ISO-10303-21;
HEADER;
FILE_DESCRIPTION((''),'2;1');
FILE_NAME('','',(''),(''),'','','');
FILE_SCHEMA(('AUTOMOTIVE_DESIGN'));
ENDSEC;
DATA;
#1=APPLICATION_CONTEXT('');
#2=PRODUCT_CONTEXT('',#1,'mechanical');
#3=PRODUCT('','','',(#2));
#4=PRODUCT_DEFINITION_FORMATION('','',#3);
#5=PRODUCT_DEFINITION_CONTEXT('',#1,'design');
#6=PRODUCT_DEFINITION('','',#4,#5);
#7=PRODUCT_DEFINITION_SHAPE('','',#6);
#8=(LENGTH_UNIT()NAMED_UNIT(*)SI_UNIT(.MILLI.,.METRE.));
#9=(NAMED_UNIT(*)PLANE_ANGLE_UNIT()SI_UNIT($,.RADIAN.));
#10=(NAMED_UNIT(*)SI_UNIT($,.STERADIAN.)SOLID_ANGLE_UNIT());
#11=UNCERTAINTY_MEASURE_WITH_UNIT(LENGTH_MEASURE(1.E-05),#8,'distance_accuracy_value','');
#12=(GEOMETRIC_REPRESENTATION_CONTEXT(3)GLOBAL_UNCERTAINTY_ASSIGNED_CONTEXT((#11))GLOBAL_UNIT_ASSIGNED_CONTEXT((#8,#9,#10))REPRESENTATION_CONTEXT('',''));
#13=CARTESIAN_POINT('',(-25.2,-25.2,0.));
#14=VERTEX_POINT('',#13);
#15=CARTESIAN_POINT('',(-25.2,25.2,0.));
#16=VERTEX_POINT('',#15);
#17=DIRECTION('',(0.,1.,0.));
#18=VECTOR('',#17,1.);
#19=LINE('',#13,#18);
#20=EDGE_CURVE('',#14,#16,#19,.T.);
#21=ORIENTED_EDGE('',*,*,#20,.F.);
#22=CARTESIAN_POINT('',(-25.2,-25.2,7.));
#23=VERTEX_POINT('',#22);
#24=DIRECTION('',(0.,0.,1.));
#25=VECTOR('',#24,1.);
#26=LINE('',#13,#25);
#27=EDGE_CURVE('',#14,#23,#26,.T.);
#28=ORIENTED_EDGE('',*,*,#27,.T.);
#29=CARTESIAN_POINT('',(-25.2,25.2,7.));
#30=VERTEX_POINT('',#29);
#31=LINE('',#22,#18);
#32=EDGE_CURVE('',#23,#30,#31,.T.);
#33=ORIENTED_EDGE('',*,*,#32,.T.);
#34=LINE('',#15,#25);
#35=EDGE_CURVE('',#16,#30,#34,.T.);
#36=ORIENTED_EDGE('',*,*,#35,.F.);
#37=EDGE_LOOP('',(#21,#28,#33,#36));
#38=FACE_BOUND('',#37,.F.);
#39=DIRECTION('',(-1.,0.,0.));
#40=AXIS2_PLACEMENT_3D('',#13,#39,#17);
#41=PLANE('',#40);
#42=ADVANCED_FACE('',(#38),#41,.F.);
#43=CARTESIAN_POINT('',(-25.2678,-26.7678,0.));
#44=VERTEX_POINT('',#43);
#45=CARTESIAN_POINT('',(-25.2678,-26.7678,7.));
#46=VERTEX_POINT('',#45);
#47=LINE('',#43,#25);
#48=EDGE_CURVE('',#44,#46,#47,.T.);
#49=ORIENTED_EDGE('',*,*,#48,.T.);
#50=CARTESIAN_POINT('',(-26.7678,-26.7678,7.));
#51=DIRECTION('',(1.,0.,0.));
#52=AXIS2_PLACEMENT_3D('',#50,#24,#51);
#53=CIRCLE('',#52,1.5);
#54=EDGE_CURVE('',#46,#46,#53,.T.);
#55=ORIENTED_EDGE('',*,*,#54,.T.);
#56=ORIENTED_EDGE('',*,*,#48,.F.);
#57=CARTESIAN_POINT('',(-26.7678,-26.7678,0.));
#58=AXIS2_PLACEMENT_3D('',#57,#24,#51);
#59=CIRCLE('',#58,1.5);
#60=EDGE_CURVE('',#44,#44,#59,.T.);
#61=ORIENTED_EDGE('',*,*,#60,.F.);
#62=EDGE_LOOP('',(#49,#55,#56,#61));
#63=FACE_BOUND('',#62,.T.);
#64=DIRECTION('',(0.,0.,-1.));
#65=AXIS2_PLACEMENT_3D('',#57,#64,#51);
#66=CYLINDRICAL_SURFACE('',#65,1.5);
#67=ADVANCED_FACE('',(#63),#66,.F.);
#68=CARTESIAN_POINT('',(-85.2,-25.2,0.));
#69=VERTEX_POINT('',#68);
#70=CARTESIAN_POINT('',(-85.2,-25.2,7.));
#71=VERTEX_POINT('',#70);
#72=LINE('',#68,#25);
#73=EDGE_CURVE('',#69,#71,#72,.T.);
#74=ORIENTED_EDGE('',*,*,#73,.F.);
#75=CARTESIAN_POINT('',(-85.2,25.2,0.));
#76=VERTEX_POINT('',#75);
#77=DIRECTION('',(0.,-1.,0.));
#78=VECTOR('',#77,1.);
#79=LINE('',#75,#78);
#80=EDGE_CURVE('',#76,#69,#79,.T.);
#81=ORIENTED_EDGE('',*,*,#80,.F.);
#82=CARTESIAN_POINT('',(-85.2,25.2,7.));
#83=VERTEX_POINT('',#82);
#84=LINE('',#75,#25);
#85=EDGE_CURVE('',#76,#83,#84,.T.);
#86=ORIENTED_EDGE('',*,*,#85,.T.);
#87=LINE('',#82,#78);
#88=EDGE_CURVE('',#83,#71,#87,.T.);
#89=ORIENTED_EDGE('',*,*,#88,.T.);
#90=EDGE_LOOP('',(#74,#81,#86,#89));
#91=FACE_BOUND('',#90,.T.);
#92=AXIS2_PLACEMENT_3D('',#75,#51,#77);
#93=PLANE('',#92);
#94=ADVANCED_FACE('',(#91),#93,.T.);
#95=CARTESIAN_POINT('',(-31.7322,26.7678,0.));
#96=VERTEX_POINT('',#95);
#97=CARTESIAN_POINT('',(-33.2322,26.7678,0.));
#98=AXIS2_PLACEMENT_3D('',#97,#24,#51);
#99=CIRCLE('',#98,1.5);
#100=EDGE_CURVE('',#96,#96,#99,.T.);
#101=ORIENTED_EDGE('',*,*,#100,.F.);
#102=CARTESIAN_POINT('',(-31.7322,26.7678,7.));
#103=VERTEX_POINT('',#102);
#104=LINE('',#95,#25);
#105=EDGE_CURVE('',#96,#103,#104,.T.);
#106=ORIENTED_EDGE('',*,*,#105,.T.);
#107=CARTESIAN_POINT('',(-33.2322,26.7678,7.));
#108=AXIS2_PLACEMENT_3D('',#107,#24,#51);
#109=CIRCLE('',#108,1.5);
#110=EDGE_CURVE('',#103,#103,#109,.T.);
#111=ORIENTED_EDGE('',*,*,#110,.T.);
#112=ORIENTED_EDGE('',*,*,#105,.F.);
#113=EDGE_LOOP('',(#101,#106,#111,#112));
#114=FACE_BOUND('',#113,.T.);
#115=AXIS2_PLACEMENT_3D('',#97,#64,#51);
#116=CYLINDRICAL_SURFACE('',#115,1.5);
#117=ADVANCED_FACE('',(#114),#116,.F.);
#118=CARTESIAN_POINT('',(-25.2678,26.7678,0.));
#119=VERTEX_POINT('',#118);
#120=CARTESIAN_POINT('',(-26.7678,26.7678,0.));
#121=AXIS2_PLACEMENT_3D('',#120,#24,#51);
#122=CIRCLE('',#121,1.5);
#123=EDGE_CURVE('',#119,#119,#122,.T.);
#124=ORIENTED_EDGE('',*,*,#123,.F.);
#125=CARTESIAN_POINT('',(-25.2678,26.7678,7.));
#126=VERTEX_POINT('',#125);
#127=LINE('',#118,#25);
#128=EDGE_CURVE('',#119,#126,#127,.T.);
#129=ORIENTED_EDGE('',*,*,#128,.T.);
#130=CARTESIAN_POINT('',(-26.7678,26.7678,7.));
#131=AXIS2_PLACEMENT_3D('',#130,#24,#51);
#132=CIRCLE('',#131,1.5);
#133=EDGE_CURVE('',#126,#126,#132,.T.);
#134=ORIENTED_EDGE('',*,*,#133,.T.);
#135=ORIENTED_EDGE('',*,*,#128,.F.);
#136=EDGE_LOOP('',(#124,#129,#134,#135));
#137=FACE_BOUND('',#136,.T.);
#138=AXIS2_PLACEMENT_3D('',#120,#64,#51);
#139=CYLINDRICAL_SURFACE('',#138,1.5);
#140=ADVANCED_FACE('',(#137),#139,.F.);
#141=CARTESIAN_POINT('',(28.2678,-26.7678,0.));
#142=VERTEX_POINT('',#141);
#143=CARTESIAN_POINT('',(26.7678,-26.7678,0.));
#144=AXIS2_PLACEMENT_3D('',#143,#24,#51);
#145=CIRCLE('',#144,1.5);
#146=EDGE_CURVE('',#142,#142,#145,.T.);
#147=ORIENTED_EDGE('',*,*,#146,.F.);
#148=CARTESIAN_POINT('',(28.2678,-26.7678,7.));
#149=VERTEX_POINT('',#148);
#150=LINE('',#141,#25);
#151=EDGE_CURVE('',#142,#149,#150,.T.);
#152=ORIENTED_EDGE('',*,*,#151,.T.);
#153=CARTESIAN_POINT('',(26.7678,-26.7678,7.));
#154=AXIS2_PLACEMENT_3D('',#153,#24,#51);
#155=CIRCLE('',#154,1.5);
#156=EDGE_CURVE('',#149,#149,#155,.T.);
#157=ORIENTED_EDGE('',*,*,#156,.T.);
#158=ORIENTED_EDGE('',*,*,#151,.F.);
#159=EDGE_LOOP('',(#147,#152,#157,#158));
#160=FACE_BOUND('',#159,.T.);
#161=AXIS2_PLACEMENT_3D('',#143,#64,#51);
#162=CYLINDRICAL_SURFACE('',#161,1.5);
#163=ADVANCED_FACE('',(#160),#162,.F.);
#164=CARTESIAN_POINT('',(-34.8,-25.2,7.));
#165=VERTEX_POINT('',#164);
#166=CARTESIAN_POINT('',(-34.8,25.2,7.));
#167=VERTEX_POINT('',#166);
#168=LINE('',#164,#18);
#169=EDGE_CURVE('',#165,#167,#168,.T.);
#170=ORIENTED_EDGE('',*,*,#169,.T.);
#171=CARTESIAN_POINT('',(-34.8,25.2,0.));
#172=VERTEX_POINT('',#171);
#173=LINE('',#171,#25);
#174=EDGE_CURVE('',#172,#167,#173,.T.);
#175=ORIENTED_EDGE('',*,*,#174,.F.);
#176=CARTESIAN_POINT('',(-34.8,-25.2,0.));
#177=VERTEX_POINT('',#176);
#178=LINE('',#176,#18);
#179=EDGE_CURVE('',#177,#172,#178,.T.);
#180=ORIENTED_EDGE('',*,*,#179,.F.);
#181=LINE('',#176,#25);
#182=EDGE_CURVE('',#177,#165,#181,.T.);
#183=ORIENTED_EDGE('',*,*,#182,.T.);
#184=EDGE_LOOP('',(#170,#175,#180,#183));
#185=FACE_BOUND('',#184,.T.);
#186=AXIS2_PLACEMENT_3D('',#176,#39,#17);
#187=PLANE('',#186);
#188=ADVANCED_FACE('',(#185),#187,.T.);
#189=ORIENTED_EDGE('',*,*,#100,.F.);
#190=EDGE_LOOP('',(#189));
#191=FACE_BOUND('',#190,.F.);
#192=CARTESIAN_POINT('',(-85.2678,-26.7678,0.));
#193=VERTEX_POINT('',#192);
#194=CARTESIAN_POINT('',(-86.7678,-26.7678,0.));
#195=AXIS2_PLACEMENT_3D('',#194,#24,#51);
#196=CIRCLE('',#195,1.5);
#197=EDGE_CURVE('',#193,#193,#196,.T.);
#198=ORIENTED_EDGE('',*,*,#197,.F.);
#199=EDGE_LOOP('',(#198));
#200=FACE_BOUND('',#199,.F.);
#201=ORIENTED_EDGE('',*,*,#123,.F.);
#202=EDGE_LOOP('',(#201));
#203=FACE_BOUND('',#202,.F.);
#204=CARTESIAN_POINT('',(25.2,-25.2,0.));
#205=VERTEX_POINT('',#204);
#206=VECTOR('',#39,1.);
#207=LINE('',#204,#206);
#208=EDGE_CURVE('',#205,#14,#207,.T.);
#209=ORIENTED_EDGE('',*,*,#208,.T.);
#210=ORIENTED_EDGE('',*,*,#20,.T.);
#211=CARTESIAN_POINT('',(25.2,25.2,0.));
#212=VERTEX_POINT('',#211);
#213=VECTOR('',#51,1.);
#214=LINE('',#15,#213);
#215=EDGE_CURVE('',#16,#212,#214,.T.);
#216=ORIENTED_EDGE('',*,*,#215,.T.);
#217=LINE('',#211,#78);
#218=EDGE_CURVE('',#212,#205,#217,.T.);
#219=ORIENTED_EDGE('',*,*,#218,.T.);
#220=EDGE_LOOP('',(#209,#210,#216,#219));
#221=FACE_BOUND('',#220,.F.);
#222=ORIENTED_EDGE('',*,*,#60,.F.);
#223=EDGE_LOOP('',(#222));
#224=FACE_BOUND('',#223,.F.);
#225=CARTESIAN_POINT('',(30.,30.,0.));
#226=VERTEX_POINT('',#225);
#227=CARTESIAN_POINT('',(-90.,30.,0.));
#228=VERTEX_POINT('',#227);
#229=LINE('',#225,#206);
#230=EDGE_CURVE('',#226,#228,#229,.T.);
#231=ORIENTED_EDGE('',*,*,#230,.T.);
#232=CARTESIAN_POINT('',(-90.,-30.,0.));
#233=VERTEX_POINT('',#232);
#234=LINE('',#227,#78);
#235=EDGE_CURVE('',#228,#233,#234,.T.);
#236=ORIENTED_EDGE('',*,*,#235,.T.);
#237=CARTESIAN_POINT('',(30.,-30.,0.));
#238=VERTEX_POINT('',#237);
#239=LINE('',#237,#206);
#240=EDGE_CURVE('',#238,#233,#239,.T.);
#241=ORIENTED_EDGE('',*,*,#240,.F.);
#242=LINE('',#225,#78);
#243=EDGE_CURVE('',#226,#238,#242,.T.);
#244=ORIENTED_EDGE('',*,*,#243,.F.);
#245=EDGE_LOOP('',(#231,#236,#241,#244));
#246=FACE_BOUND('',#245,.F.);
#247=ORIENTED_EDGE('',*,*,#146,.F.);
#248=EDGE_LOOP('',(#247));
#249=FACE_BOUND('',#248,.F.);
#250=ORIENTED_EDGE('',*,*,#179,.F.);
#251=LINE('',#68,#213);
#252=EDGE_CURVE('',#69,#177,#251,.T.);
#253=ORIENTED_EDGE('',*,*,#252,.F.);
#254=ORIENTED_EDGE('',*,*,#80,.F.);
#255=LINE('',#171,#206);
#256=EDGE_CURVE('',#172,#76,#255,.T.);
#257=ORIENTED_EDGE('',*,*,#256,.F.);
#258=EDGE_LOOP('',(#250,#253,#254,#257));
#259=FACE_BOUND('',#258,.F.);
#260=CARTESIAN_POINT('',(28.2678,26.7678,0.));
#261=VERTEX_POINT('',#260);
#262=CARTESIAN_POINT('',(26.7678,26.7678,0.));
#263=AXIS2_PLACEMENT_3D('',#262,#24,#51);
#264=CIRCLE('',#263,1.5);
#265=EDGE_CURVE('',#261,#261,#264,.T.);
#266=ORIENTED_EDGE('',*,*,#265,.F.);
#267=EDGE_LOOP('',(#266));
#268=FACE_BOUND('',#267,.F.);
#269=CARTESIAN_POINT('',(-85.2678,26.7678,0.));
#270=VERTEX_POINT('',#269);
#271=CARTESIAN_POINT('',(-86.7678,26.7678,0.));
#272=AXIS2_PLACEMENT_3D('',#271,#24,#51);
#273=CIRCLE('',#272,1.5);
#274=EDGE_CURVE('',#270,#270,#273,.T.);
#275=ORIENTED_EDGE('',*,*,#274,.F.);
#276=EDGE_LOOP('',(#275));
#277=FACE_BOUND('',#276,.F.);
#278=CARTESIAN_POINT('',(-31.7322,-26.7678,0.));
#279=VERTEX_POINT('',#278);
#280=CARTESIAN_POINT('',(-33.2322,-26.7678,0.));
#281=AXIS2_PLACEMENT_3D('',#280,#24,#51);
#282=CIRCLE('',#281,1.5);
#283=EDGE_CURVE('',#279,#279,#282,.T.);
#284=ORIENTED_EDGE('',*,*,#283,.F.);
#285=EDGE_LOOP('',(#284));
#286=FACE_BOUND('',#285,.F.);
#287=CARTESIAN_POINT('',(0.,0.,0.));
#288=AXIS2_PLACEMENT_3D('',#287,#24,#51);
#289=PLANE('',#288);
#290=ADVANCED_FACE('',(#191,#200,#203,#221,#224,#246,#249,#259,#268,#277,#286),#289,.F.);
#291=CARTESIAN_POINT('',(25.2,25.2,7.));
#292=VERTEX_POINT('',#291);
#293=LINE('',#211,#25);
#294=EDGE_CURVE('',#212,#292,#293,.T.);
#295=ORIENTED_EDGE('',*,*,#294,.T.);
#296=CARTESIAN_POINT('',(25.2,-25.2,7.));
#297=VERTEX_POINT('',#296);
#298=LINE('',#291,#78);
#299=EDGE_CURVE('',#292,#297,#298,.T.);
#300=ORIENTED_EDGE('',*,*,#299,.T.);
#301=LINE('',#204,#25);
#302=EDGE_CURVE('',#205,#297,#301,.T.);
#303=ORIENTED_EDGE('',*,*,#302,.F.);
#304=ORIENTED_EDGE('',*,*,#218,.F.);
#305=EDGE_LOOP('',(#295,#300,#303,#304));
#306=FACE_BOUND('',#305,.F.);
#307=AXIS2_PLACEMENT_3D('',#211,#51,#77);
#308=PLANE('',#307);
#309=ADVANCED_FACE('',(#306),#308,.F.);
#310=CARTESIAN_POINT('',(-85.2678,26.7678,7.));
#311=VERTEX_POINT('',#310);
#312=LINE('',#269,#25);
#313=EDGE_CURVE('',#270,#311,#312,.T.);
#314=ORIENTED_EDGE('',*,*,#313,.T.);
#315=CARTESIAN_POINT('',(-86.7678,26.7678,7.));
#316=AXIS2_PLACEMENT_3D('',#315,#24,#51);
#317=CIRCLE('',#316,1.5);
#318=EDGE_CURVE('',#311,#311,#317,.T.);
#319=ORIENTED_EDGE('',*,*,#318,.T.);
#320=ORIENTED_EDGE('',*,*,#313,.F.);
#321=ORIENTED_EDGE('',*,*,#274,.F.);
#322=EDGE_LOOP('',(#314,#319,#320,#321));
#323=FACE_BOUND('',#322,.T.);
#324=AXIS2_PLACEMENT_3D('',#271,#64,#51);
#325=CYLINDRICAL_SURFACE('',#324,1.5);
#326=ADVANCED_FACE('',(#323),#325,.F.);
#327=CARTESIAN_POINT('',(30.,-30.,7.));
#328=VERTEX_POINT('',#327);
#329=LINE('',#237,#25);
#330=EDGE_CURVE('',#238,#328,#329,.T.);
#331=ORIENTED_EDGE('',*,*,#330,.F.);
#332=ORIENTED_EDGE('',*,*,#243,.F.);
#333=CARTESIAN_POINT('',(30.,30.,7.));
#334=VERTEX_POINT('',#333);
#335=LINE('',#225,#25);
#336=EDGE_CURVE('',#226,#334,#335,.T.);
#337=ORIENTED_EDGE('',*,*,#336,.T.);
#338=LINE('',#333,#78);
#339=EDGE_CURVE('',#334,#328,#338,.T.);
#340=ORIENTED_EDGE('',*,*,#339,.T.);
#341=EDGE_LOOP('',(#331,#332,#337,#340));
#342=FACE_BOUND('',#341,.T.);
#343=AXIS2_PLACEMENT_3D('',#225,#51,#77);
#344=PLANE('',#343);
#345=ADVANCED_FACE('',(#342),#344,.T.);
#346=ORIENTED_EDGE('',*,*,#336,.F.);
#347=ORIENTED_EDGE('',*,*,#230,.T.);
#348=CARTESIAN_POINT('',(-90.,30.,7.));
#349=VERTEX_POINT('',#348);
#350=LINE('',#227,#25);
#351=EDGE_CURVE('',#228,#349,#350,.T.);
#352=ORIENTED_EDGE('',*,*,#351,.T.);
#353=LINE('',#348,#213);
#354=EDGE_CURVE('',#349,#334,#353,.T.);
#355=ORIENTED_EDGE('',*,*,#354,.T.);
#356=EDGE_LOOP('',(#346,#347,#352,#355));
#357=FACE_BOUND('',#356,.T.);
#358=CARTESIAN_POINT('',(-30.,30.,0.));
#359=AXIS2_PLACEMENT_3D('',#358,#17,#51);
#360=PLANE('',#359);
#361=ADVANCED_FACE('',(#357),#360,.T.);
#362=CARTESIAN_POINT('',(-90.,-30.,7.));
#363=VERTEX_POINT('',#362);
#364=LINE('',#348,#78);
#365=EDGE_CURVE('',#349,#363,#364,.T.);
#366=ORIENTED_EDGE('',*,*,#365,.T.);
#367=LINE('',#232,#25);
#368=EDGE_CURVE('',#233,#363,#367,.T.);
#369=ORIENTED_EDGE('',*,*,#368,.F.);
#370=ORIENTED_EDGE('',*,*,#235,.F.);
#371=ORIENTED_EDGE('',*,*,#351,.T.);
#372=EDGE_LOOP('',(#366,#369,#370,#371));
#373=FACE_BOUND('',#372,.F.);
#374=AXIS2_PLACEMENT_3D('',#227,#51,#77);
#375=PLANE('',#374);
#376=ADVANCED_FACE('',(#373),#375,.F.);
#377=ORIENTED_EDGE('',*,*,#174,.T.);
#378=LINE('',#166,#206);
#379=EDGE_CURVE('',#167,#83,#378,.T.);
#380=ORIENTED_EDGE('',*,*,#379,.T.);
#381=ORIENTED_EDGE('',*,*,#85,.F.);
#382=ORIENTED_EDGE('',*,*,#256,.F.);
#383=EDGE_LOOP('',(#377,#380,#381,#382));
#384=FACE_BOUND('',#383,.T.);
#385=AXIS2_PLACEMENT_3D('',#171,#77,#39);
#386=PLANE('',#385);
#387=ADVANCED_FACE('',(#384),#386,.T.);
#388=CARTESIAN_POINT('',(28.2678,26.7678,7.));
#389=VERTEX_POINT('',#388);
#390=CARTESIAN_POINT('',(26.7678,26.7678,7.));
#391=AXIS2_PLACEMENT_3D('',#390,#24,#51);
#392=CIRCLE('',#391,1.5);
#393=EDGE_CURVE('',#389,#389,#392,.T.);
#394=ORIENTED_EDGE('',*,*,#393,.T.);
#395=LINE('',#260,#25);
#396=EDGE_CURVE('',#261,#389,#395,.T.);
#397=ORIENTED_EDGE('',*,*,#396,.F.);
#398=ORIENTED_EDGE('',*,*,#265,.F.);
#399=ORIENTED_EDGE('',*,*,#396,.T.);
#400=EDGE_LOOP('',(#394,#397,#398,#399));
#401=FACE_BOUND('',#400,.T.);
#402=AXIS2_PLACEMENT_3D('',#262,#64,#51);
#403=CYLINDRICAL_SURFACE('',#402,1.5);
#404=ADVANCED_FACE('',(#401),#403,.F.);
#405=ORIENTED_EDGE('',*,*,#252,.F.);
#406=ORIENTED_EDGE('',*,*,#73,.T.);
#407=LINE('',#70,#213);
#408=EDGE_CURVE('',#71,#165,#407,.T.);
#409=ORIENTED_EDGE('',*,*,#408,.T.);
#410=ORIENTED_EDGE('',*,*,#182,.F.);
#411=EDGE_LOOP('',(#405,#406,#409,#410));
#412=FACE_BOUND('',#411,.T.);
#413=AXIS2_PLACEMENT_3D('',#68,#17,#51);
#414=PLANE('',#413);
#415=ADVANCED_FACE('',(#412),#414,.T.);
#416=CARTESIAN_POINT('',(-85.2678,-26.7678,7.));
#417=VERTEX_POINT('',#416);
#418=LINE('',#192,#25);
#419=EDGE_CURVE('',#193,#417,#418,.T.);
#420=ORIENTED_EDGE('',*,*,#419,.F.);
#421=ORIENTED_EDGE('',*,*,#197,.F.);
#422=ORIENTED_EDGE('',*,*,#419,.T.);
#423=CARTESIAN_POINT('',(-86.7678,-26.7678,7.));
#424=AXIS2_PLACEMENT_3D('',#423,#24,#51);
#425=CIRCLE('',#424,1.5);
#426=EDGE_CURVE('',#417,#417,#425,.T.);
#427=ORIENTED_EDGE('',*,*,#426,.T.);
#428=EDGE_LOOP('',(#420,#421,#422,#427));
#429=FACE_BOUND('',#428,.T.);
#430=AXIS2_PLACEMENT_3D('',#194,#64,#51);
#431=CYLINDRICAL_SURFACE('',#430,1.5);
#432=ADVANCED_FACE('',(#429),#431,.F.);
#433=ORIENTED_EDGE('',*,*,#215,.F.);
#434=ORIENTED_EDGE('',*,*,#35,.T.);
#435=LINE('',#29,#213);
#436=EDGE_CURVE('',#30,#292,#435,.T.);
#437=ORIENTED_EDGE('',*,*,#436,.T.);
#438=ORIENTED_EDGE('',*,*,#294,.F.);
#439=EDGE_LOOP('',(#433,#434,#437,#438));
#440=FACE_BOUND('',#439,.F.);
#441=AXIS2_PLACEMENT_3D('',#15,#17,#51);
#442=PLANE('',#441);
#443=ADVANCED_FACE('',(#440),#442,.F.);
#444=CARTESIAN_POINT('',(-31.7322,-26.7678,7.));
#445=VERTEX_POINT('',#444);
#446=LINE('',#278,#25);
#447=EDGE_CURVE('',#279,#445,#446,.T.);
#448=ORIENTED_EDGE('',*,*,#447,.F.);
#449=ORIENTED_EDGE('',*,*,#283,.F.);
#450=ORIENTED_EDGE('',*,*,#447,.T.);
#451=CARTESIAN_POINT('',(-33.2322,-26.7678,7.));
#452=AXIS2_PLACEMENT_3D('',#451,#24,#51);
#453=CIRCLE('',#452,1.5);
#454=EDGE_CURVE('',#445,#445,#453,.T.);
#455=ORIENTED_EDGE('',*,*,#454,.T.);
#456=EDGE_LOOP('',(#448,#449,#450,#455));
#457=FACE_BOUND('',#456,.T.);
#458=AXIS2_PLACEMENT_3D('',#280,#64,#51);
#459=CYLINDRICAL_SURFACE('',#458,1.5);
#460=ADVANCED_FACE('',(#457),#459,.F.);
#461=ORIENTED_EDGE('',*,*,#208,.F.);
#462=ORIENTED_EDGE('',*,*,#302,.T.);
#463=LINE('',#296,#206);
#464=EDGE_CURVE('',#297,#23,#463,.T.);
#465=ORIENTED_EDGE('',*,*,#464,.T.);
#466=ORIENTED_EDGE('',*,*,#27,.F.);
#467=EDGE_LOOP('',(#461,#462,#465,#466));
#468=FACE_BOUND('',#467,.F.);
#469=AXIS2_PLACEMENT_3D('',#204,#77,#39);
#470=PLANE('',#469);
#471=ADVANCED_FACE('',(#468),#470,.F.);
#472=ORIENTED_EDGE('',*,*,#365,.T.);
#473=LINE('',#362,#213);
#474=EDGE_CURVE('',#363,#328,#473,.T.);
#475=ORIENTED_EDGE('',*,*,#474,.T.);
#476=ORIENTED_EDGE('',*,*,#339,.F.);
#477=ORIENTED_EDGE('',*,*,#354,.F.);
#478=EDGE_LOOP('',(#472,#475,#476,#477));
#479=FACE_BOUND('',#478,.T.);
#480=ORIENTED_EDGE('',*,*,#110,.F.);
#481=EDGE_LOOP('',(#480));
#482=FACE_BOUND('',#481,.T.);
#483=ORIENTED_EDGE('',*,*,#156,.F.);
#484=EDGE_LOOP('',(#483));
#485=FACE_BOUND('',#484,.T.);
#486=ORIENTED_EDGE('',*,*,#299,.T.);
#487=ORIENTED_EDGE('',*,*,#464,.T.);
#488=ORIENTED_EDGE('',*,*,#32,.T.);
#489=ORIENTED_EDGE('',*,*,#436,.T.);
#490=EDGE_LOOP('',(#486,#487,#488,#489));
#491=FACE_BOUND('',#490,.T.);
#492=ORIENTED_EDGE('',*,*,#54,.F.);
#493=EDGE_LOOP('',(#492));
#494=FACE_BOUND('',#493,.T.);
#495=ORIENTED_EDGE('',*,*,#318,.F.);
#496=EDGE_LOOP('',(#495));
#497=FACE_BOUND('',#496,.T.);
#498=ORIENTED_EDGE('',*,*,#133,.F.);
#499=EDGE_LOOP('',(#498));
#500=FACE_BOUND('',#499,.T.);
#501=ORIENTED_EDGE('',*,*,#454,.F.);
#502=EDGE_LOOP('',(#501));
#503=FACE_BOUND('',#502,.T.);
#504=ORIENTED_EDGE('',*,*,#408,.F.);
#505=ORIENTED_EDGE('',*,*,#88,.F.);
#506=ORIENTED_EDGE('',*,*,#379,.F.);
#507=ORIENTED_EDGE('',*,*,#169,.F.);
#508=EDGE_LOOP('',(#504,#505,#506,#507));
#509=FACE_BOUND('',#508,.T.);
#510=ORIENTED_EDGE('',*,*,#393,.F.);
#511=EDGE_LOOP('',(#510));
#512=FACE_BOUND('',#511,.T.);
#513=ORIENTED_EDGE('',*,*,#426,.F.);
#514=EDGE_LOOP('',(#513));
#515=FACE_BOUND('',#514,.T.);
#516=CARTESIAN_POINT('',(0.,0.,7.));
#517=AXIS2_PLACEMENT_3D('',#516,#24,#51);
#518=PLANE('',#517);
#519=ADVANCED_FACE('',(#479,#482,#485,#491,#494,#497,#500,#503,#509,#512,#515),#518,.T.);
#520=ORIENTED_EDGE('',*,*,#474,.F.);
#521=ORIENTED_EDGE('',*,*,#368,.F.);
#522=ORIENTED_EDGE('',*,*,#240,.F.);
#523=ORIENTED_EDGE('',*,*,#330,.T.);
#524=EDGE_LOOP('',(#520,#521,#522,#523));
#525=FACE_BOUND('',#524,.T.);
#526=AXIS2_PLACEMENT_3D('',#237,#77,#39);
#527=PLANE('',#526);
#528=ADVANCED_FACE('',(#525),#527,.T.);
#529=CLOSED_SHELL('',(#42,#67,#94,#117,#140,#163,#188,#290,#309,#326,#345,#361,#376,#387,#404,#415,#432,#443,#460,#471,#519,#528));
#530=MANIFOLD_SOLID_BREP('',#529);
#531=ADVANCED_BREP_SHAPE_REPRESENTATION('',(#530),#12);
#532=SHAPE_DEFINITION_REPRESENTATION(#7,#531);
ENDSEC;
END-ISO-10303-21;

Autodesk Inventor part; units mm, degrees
ref_plane "YZ Plane" through (0, 0, 0) normal (1, 0, 0) x (0, 1, 0)
ref_plane "XZ Plane" through (0, 0, 0) normal (0, 1, 0) x (-1, 0, 0)
ref_plane "XY Plane" through (0, 0, 0) normal (0, 0, 1) x (1, 0, 0)
sketch "Sketch1" plane through (0, 0, 0) normal (0, 0, 1) x (1, 0, 0)
  line L0 (19, -25) -> (-19, -25) projected
  line L1 (25, 19) -> (25, -19) projected
  line L2 (-19, 25) -> (19, 25) projected
  line L3 (-19, 25) -> (19, 25) projected
  line L4 (-19, 25) -> (19, 25) projected
  line L5 (-24, -7) -> (-24, 7) projected
  line L6 (-25, -25) -> (-25, 25) projected
  line L7 (25, 19) -> (25, -19) projected
  line L8 (-25, 25) -> (25, 25)
  line L9 (25, 25) -> (25, -25)
  line L10 (25, -25) -> (-25, -25)
  line L11 (-25, -25) -> (-25, 25)
  line L12 (-25.2, 25.2) -> (25.2, 25.2)
  line L13 (25.2, 25.2) -> (25.2, -25.2)
  line L14 (25.2, -25.2) -> (-25.2, -25.2)
  line L15 (-25.2, -25.2) -> (-25.2, 25.2)
  line L16 (-25.2, 25.2) -> (25.2, -25.2) construction
  line L17 (25.2, 25.2) -> (-25.2, -25.2) construction
  line L18 (-30, 30) -> (30, 30)
  line L19 (30, 30) -> (30, -30)
  line L20 (30, -30) -> (-30, -30)
  line L21 (-30, -30) -> (-30, 30)
  line L22 (-30, 30) -> (30, -30) construction
  line L23 (30, 30) -> (-30, -30) construction
  line L24 (-30, -30) -> (-30, 30)
  circle A0 centre (-26.7678, 26.7678) radius 1.5 projected
  circle A1 centre (-26.7678, 26.7678) radius 1.5
  circle A2 centre (26.7678, 26.7678) radius 1.5 projected
  circle A3 centre (26.7678, -26.7678) radius 1.5 projected
  circle A4 centre (-26.7678, -26.7678) radius 1.5 projected
  circle A5 centre (26.7678, 26.7678) radius 1.5
  circle A6 centre (26.7678, -26.7678) radius 1.5
  circle A7 centre (-26.7678, -26.7678) radius 1.5
  line L25 (-41, 25) -> (-79, 25)
  line L26 (-35, 25) -> (-85, 25)
  line L27 (-34.8, 25.2) -> (-85.2, 25.2)
  line L28 (-85.2, 25.2) -> (-85.2, -25.2)
  line L29 (-85.2, -25.2) -> (-34.8, -25.2)
  line L30 (-34.8, -25.2) -> (-34.8, 25.2)
  line L31 (-30, 30) -> (-90, 30)
  line L32 (-90, 30) -> (-90, -30)
  line L33 (-90, -30) -> (-30, -30)
  circle A8 centre (-33.2322, 26.7678) radius 1.5
  circle A9 centre (-33.2322, -26.7678) radius 1.5
  circle A10 centre (-86.7678, 26.7678) radius 1.5
  circle A11 centre (-86.7678, -26.7678) radius 1.5
  point P0 (0, 0)
  dimension "d0" = 50.4
  dimension "d1" = 50.4
  dimension "d2" = 60
  dimension "d3" = 60
extrude "Extrusion1" add sketch "Sketch1" along normal blind 7 contours L18 L19 L20 L21 | L21 L33 L32 L31
properties part number "rack_2x1"
